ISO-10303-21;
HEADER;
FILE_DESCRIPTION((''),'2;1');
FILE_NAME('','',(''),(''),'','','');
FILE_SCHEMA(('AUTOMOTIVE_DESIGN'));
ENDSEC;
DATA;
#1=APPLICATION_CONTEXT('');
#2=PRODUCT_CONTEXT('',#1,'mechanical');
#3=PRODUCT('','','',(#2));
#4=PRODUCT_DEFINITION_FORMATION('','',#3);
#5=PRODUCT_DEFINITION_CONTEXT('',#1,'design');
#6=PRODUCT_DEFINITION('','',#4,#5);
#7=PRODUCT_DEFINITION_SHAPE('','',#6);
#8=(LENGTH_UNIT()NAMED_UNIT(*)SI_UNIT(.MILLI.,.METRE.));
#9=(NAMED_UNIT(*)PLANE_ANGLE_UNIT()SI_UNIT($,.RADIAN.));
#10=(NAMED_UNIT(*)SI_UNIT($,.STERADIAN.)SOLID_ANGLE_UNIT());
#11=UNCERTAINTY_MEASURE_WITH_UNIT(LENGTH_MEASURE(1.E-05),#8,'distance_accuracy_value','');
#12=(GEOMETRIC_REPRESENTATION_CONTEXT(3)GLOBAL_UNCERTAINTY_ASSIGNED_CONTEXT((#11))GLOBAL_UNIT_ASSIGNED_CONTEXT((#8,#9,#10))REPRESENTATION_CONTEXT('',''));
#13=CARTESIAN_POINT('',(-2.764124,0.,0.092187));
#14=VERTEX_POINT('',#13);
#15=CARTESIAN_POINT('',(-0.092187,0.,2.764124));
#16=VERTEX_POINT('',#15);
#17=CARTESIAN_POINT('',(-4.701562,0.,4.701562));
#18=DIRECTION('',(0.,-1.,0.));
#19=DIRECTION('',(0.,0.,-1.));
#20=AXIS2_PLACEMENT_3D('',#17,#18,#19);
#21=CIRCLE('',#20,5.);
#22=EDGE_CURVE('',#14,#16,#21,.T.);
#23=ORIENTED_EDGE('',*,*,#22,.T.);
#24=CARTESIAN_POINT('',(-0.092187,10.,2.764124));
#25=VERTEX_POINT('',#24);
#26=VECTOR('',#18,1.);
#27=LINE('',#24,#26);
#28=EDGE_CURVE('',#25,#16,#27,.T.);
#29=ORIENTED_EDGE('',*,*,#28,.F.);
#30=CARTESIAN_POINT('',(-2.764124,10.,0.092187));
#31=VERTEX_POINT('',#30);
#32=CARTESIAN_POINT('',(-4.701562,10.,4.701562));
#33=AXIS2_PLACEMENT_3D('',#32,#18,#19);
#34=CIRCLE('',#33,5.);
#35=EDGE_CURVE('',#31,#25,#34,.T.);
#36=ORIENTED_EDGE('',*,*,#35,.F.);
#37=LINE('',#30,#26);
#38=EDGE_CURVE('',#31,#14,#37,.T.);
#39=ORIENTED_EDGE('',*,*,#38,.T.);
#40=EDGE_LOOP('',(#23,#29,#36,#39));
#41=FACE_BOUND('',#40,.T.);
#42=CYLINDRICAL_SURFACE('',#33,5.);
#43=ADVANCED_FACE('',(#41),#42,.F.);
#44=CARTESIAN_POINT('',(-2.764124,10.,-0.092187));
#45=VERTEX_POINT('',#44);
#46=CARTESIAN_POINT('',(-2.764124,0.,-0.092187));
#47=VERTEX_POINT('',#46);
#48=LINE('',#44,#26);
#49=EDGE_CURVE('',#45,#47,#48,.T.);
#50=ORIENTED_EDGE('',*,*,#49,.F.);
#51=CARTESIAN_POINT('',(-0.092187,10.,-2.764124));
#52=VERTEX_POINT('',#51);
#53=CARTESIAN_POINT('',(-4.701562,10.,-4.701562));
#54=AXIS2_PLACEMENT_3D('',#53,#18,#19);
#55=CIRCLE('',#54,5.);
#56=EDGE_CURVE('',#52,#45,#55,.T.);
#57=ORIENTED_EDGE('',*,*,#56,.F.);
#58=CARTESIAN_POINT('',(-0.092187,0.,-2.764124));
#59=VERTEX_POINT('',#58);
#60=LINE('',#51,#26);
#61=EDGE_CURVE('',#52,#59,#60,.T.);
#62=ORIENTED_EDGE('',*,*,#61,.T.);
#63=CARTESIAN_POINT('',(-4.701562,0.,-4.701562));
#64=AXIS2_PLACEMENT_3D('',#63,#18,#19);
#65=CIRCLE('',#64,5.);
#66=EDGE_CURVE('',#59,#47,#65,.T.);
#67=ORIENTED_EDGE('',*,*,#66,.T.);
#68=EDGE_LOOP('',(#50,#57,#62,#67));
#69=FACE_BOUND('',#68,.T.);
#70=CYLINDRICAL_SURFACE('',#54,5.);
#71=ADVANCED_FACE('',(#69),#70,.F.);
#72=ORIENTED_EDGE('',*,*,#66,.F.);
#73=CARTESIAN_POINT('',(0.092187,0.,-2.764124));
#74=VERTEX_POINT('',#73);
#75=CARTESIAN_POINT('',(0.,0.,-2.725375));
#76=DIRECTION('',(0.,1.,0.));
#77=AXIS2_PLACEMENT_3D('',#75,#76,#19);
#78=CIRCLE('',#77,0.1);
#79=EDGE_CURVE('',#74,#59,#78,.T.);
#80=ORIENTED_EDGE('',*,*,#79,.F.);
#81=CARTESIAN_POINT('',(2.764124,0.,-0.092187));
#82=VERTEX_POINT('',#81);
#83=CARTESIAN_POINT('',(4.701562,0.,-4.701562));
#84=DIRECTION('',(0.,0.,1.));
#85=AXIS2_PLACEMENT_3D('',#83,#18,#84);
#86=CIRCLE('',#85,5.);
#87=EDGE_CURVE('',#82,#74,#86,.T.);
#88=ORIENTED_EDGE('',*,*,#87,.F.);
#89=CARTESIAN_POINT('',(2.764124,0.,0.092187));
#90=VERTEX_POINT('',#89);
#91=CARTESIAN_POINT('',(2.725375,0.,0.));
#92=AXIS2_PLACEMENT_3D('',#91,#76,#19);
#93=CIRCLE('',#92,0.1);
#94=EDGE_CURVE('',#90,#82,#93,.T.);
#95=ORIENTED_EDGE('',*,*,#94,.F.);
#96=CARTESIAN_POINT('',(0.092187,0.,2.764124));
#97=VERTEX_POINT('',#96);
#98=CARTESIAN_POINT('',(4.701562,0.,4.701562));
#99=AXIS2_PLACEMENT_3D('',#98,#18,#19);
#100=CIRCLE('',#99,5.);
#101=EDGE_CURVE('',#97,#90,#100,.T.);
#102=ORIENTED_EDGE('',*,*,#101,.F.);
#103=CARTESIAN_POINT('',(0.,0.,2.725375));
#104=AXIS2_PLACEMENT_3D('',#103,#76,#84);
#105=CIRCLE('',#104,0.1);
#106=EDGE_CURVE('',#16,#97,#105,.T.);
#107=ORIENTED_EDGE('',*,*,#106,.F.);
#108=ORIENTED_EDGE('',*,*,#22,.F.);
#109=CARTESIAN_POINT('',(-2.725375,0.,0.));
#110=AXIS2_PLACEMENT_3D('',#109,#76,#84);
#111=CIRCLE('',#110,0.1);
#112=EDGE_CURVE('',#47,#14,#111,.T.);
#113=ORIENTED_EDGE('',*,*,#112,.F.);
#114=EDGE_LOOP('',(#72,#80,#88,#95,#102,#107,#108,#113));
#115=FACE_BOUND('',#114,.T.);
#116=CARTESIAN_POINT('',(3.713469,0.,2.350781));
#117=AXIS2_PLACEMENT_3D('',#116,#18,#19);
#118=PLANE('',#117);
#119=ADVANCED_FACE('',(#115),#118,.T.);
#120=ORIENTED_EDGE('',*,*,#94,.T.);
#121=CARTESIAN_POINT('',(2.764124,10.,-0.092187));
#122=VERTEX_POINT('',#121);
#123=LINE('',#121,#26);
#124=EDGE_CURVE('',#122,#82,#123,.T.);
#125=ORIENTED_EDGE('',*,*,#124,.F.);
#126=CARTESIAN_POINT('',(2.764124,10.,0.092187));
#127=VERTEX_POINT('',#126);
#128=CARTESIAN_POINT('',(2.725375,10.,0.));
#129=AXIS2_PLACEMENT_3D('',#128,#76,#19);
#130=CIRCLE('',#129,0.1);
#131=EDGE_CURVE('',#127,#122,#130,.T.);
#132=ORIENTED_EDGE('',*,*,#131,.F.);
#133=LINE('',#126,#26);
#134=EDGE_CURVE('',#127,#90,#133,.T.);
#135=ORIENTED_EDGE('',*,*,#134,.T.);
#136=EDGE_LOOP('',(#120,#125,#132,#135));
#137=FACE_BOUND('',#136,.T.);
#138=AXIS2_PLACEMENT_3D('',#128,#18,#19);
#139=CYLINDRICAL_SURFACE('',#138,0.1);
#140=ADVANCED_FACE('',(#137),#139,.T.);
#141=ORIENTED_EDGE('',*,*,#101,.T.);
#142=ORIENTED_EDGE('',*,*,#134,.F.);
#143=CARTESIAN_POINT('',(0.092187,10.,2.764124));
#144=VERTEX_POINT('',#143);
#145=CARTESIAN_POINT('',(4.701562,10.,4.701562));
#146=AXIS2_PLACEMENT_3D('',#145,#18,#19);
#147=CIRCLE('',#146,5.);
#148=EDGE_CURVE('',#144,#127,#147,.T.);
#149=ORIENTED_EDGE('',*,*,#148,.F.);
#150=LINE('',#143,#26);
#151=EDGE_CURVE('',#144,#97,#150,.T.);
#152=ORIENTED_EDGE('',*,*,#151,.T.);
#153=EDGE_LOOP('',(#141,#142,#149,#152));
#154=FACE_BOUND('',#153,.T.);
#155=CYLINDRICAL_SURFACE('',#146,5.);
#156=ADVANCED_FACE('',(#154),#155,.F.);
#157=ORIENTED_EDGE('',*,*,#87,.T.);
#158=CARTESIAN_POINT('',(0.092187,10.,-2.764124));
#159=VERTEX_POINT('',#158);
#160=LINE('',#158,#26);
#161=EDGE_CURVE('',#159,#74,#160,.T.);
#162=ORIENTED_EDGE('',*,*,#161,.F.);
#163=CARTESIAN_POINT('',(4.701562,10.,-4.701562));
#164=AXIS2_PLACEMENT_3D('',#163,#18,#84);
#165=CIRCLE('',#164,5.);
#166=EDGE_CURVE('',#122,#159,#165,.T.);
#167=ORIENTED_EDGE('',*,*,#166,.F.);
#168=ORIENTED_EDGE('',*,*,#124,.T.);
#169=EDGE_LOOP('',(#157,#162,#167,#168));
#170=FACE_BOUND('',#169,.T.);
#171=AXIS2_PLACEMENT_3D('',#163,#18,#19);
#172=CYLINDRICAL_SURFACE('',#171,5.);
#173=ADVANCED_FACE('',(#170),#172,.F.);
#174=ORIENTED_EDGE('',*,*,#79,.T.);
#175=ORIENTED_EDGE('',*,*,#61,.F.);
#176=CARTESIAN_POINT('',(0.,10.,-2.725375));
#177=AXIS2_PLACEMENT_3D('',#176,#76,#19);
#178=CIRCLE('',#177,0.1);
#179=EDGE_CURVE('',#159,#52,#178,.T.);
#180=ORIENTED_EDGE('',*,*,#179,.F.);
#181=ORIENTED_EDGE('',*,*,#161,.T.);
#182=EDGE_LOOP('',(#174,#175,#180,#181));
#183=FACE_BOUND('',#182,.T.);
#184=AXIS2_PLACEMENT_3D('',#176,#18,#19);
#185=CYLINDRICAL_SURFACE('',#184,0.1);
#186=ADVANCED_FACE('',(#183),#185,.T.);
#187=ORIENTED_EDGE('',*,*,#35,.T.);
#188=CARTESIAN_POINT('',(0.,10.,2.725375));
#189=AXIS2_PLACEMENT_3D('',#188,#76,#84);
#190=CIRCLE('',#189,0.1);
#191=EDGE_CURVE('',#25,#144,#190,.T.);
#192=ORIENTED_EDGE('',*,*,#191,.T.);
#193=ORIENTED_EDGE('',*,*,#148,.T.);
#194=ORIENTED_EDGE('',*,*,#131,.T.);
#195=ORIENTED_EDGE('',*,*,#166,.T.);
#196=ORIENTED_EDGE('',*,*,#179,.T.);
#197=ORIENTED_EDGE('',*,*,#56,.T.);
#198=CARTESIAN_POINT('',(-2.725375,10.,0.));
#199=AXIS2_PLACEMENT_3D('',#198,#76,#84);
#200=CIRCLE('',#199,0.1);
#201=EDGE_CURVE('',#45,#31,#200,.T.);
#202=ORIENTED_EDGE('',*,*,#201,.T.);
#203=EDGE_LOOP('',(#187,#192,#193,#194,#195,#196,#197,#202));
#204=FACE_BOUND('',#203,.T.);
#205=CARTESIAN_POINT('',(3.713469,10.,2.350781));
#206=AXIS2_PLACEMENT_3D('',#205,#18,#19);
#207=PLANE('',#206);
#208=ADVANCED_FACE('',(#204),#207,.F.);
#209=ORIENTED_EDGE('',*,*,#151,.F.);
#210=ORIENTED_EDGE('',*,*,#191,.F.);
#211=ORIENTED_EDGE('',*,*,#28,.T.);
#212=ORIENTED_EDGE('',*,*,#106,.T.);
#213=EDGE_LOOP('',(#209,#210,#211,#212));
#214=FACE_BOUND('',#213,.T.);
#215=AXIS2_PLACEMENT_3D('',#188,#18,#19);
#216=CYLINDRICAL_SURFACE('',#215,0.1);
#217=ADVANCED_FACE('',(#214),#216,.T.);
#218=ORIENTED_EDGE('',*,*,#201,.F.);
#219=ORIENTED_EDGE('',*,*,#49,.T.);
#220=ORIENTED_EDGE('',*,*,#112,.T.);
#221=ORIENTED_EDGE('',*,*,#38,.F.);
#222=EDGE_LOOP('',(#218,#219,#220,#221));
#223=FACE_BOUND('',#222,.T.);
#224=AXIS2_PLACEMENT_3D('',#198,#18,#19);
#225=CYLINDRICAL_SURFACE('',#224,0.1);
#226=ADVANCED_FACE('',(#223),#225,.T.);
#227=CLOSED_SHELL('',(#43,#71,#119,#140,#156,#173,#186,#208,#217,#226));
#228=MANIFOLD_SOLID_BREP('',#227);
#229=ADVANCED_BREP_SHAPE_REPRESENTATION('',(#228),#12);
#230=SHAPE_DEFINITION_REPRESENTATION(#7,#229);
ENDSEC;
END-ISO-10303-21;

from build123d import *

# Parameters (mm, degrees)
BOSS_EXTRUDE1_DEPTH = 10


with BuildPart() as part:
    # Sketch1 → Boss-Extrude1 (new body)
    with BuildSketch(Plane(origin=(0, 0, 0), x_dir=(1, 0, 0), z_dir=(0, 1, 0))):
        with BuildLine():
            ThreePointArc((-0.092187493, 2.764124234), (-1.166028213, 1.166028213), (-2.764124234, 0.092187493))
            ThreePointArc((-2.764124234, 0.092187493), (-2.825375477, 0), (-2.764124234, -0.092187493))
            ThreePointArc((-2.764124234, -0.092187493), (-1.166028213, -1.166028213), (-0.092187493, -2.764124234))
            ThreePointArc((-0.092187493, -2.764124234), (0, -2.825375477), (0.092187493, -2.764124234))
            ThreePointArc((0.092187493, -2.764124234), (1.166028213, -1.166028213), (2.764124234, -0.092187493))
            ThreePointArc((2.764124234, -0.092187493), (2.825375477, 0), (2.764124234, 0.092187493))
            ThreePointArc((2.764124234, 0.092187493), (1.166028213, 1.166028213), (0.092187493, 2.764124234))
            ThreePointArc((0.092187493, 2.764124234), (0, 2.825375477), (-0.092187493, 2.764124234))
        make_face()
    extrude(amount=BOSS_EXTRUDE1_DEPTH)


solid = part.part
